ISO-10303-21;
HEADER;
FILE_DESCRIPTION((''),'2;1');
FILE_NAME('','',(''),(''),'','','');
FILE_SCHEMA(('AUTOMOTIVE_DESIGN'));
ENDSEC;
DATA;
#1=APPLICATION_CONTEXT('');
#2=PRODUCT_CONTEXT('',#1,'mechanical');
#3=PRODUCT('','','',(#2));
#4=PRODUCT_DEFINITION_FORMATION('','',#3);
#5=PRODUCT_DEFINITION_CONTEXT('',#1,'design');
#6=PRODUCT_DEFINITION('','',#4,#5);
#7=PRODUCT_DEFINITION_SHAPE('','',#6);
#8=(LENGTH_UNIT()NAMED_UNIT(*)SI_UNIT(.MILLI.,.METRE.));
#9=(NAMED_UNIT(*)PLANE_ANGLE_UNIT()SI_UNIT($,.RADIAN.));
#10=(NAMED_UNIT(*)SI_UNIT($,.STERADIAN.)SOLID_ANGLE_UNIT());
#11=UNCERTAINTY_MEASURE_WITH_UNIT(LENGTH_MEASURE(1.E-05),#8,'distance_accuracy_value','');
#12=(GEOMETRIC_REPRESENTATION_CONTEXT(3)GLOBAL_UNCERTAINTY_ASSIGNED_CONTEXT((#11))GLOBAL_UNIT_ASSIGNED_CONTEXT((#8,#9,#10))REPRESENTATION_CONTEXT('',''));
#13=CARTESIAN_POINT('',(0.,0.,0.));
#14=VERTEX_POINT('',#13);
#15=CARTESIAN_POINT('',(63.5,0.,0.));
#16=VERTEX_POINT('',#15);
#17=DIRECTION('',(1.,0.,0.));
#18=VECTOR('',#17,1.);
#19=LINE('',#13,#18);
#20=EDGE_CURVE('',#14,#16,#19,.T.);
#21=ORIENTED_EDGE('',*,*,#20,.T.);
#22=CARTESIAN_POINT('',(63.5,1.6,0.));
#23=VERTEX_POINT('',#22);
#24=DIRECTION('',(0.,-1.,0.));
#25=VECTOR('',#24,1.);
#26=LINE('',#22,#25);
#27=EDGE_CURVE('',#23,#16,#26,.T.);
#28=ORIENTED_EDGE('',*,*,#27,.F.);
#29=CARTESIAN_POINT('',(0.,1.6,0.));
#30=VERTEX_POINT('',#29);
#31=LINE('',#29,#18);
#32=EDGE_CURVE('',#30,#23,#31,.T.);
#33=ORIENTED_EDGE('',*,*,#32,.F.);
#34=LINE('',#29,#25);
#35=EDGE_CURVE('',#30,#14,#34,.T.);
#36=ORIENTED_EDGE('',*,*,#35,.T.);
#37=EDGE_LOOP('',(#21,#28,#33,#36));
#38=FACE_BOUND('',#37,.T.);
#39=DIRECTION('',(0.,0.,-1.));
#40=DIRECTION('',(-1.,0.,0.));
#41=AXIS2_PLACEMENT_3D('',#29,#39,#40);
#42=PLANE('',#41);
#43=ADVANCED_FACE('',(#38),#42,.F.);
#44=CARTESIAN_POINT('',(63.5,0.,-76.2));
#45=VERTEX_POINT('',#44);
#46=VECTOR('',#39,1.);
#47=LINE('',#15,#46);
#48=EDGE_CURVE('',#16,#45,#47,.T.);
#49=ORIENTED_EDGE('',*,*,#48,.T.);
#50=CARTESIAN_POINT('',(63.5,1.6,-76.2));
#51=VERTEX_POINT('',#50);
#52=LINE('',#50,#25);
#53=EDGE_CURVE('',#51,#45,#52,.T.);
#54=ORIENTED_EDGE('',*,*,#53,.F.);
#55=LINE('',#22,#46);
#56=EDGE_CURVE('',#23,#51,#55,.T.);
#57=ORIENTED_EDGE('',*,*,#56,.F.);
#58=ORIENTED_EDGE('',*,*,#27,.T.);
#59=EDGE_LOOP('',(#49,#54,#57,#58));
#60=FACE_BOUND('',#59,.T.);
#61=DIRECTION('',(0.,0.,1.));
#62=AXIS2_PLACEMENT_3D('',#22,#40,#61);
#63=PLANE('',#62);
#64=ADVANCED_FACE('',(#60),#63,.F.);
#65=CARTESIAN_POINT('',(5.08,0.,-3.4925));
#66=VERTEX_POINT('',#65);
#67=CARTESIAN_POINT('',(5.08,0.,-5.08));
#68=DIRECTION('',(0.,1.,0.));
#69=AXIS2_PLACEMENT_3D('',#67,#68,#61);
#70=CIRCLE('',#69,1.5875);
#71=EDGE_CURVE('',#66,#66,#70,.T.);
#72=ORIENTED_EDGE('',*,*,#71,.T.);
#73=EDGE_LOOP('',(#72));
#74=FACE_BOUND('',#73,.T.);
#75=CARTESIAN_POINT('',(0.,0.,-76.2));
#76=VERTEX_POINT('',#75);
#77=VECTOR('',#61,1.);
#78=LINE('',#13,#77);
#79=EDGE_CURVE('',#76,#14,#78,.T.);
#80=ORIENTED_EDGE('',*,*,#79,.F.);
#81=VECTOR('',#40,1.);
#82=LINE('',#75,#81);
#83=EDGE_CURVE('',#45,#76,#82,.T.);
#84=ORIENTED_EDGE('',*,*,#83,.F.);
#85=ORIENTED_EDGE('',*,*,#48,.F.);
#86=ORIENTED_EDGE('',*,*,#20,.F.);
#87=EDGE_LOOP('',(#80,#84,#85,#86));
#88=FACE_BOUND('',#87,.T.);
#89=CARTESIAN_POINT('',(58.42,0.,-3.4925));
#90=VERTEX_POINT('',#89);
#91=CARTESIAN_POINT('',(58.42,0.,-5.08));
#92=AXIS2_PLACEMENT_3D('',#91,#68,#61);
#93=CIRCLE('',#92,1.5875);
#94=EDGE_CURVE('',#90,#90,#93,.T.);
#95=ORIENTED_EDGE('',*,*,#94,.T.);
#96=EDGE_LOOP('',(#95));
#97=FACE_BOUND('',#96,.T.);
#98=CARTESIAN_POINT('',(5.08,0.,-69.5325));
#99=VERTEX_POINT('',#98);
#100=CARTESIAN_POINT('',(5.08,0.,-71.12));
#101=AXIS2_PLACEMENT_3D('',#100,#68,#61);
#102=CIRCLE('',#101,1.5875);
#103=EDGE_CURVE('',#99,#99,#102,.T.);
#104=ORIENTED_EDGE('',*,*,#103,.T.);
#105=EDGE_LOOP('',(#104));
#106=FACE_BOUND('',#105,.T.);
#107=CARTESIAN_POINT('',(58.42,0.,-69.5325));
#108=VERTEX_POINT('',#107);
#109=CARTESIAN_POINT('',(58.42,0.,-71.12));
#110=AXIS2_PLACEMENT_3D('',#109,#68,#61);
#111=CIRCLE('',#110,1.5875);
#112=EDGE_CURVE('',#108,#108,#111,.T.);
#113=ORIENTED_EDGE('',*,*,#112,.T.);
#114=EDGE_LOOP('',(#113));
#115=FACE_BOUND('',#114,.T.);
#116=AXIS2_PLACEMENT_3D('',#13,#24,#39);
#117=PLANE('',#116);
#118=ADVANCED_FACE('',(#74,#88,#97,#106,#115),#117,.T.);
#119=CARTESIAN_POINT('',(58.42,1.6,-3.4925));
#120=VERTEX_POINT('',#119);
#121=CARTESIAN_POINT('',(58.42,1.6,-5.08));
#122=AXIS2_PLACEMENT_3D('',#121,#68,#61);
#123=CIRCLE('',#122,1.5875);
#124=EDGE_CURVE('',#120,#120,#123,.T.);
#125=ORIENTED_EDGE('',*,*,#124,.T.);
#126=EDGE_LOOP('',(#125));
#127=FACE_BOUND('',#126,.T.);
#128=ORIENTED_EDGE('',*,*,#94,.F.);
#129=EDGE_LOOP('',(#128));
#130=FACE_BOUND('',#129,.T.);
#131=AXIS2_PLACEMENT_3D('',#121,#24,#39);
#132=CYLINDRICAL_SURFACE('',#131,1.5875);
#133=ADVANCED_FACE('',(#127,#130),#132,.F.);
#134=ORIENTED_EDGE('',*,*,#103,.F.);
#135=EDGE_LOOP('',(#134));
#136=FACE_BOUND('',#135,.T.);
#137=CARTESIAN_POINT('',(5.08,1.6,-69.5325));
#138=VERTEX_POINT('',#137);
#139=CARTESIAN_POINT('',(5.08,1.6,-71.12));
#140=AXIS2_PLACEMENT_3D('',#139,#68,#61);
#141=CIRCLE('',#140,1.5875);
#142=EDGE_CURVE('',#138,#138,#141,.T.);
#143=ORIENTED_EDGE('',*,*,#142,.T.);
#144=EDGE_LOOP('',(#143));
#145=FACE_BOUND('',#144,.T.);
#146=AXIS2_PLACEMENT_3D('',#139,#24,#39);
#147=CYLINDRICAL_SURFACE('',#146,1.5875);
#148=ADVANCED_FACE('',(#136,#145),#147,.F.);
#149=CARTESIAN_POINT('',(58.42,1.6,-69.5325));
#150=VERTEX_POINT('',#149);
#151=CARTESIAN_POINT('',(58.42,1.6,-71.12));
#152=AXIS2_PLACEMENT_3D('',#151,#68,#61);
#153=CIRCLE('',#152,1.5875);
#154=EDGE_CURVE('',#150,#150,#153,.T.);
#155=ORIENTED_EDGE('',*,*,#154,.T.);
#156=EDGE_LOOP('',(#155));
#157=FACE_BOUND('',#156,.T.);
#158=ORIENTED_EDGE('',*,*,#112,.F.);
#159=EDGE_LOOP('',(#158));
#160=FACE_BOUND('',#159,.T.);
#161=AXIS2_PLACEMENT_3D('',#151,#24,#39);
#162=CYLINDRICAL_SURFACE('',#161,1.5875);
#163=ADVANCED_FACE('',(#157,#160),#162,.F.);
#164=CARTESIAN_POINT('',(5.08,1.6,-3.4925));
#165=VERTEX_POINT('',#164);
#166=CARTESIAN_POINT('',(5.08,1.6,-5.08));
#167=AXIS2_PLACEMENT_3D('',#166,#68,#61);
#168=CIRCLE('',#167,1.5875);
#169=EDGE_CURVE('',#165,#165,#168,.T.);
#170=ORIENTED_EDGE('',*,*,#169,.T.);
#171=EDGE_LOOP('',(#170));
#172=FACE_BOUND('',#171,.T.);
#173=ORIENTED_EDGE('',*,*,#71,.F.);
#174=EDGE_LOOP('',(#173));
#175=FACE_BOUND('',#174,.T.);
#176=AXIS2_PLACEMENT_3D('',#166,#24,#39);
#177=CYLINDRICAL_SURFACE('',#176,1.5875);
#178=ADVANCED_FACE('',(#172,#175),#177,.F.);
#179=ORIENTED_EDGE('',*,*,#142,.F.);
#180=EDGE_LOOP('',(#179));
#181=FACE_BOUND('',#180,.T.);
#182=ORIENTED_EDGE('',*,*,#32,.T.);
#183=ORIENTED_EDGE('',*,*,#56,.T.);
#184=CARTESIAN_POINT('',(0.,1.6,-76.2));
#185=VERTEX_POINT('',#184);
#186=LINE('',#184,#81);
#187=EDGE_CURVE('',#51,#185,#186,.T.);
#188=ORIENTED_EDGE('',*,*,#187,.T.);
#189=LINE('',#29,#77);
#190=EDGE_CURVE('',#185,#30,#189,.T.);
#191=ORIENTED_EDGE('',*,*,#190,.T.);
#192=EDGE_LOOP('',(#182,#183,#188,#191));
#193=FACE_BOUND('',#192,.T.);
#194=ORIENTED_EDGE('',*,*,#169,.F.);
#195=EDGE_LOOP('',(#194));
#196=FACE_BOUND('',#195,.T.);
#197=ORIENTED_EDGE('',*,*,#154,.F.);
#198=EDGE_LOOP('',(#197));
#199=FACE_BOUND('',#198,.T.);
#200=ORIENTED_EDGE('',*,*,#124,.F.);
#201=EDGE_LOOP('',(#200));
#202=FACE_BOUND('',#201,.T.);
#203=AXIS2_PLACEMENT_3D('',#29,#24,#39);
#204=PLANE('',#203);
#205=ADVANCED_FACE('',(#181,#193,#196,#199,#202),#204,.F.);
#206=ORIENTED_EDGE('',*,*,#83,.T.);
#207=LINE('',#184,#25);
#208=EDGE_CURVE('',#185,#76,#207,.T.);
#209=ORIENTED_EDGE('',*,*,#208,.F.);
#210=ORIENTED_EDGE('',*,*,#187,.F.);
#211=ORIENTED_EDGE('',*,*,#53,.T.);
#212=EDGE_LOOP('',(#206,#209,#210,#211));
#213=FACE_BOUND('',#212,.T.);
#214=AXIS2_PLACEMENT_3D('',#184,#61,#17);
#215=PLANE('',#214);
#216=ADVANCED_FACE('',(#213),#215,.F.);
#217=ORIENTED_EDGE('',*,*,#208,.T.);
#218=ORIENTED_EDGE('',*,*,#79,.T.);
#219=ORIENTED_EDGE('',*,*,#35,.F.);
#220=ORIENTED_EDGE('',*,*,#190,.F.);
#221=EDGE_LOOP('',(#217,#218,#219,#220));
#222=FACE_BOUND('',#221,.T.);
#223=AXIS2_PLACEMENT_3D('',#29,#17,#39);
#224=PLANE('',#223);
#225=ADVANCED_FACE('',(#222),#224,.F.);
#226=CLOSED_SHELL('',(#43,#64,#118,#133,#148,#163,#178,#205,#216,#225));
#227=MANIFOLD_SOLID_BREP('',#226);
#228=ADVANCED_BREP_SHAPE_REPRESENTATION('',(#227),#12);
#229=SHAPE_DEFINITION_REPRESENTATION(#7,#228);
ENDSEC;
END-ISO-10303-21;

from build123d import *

# Parameters (mm, degrees)
SKETCH1_W           = 63.5
SKETCH1_H           = 76.2
SKETCH1_R           = 1.5875
BOSS_EXTRUDE1_DEPTH = 1.6


with BuildPart() as part:
    # Sketch1 → Boss-Extrude1 (new body)
    with BuildSketch(Plane(origin=(0, 0, 0), x_dir=(1, 0, 0), z_dir=(0, 1, 0))):
        with Locations((31.75, 38.1)):
            Rectangle(SKETCH1_W, SKETCH1_H)
        with Locations(Location((5.08, 5.08, 0), (0, 0, 270))):
            Circle(SKETCH1_R, mode=Mode.SUBTRACT)
        with Locations(Location((58.42, 5.08, 0), (0, 0, 270))):
            Circle(SKETCH1_R, mode=Mode.SUBTRACT)
        with Locations(Location((58.42, 71.12, 0), (0, 0, 270))):
            Circle(SKETCH1_R, mode=Mode.SUBTRACT)
        with Locations(Location((5.08, 71.12, 0), (0, 0, 270))):
            Circle(SKETCH1_R, mode=Mode.SUBTRACT)
    extrude(amount=BOSS_EXTRUDE1_DEPTH)


solid = part.part
